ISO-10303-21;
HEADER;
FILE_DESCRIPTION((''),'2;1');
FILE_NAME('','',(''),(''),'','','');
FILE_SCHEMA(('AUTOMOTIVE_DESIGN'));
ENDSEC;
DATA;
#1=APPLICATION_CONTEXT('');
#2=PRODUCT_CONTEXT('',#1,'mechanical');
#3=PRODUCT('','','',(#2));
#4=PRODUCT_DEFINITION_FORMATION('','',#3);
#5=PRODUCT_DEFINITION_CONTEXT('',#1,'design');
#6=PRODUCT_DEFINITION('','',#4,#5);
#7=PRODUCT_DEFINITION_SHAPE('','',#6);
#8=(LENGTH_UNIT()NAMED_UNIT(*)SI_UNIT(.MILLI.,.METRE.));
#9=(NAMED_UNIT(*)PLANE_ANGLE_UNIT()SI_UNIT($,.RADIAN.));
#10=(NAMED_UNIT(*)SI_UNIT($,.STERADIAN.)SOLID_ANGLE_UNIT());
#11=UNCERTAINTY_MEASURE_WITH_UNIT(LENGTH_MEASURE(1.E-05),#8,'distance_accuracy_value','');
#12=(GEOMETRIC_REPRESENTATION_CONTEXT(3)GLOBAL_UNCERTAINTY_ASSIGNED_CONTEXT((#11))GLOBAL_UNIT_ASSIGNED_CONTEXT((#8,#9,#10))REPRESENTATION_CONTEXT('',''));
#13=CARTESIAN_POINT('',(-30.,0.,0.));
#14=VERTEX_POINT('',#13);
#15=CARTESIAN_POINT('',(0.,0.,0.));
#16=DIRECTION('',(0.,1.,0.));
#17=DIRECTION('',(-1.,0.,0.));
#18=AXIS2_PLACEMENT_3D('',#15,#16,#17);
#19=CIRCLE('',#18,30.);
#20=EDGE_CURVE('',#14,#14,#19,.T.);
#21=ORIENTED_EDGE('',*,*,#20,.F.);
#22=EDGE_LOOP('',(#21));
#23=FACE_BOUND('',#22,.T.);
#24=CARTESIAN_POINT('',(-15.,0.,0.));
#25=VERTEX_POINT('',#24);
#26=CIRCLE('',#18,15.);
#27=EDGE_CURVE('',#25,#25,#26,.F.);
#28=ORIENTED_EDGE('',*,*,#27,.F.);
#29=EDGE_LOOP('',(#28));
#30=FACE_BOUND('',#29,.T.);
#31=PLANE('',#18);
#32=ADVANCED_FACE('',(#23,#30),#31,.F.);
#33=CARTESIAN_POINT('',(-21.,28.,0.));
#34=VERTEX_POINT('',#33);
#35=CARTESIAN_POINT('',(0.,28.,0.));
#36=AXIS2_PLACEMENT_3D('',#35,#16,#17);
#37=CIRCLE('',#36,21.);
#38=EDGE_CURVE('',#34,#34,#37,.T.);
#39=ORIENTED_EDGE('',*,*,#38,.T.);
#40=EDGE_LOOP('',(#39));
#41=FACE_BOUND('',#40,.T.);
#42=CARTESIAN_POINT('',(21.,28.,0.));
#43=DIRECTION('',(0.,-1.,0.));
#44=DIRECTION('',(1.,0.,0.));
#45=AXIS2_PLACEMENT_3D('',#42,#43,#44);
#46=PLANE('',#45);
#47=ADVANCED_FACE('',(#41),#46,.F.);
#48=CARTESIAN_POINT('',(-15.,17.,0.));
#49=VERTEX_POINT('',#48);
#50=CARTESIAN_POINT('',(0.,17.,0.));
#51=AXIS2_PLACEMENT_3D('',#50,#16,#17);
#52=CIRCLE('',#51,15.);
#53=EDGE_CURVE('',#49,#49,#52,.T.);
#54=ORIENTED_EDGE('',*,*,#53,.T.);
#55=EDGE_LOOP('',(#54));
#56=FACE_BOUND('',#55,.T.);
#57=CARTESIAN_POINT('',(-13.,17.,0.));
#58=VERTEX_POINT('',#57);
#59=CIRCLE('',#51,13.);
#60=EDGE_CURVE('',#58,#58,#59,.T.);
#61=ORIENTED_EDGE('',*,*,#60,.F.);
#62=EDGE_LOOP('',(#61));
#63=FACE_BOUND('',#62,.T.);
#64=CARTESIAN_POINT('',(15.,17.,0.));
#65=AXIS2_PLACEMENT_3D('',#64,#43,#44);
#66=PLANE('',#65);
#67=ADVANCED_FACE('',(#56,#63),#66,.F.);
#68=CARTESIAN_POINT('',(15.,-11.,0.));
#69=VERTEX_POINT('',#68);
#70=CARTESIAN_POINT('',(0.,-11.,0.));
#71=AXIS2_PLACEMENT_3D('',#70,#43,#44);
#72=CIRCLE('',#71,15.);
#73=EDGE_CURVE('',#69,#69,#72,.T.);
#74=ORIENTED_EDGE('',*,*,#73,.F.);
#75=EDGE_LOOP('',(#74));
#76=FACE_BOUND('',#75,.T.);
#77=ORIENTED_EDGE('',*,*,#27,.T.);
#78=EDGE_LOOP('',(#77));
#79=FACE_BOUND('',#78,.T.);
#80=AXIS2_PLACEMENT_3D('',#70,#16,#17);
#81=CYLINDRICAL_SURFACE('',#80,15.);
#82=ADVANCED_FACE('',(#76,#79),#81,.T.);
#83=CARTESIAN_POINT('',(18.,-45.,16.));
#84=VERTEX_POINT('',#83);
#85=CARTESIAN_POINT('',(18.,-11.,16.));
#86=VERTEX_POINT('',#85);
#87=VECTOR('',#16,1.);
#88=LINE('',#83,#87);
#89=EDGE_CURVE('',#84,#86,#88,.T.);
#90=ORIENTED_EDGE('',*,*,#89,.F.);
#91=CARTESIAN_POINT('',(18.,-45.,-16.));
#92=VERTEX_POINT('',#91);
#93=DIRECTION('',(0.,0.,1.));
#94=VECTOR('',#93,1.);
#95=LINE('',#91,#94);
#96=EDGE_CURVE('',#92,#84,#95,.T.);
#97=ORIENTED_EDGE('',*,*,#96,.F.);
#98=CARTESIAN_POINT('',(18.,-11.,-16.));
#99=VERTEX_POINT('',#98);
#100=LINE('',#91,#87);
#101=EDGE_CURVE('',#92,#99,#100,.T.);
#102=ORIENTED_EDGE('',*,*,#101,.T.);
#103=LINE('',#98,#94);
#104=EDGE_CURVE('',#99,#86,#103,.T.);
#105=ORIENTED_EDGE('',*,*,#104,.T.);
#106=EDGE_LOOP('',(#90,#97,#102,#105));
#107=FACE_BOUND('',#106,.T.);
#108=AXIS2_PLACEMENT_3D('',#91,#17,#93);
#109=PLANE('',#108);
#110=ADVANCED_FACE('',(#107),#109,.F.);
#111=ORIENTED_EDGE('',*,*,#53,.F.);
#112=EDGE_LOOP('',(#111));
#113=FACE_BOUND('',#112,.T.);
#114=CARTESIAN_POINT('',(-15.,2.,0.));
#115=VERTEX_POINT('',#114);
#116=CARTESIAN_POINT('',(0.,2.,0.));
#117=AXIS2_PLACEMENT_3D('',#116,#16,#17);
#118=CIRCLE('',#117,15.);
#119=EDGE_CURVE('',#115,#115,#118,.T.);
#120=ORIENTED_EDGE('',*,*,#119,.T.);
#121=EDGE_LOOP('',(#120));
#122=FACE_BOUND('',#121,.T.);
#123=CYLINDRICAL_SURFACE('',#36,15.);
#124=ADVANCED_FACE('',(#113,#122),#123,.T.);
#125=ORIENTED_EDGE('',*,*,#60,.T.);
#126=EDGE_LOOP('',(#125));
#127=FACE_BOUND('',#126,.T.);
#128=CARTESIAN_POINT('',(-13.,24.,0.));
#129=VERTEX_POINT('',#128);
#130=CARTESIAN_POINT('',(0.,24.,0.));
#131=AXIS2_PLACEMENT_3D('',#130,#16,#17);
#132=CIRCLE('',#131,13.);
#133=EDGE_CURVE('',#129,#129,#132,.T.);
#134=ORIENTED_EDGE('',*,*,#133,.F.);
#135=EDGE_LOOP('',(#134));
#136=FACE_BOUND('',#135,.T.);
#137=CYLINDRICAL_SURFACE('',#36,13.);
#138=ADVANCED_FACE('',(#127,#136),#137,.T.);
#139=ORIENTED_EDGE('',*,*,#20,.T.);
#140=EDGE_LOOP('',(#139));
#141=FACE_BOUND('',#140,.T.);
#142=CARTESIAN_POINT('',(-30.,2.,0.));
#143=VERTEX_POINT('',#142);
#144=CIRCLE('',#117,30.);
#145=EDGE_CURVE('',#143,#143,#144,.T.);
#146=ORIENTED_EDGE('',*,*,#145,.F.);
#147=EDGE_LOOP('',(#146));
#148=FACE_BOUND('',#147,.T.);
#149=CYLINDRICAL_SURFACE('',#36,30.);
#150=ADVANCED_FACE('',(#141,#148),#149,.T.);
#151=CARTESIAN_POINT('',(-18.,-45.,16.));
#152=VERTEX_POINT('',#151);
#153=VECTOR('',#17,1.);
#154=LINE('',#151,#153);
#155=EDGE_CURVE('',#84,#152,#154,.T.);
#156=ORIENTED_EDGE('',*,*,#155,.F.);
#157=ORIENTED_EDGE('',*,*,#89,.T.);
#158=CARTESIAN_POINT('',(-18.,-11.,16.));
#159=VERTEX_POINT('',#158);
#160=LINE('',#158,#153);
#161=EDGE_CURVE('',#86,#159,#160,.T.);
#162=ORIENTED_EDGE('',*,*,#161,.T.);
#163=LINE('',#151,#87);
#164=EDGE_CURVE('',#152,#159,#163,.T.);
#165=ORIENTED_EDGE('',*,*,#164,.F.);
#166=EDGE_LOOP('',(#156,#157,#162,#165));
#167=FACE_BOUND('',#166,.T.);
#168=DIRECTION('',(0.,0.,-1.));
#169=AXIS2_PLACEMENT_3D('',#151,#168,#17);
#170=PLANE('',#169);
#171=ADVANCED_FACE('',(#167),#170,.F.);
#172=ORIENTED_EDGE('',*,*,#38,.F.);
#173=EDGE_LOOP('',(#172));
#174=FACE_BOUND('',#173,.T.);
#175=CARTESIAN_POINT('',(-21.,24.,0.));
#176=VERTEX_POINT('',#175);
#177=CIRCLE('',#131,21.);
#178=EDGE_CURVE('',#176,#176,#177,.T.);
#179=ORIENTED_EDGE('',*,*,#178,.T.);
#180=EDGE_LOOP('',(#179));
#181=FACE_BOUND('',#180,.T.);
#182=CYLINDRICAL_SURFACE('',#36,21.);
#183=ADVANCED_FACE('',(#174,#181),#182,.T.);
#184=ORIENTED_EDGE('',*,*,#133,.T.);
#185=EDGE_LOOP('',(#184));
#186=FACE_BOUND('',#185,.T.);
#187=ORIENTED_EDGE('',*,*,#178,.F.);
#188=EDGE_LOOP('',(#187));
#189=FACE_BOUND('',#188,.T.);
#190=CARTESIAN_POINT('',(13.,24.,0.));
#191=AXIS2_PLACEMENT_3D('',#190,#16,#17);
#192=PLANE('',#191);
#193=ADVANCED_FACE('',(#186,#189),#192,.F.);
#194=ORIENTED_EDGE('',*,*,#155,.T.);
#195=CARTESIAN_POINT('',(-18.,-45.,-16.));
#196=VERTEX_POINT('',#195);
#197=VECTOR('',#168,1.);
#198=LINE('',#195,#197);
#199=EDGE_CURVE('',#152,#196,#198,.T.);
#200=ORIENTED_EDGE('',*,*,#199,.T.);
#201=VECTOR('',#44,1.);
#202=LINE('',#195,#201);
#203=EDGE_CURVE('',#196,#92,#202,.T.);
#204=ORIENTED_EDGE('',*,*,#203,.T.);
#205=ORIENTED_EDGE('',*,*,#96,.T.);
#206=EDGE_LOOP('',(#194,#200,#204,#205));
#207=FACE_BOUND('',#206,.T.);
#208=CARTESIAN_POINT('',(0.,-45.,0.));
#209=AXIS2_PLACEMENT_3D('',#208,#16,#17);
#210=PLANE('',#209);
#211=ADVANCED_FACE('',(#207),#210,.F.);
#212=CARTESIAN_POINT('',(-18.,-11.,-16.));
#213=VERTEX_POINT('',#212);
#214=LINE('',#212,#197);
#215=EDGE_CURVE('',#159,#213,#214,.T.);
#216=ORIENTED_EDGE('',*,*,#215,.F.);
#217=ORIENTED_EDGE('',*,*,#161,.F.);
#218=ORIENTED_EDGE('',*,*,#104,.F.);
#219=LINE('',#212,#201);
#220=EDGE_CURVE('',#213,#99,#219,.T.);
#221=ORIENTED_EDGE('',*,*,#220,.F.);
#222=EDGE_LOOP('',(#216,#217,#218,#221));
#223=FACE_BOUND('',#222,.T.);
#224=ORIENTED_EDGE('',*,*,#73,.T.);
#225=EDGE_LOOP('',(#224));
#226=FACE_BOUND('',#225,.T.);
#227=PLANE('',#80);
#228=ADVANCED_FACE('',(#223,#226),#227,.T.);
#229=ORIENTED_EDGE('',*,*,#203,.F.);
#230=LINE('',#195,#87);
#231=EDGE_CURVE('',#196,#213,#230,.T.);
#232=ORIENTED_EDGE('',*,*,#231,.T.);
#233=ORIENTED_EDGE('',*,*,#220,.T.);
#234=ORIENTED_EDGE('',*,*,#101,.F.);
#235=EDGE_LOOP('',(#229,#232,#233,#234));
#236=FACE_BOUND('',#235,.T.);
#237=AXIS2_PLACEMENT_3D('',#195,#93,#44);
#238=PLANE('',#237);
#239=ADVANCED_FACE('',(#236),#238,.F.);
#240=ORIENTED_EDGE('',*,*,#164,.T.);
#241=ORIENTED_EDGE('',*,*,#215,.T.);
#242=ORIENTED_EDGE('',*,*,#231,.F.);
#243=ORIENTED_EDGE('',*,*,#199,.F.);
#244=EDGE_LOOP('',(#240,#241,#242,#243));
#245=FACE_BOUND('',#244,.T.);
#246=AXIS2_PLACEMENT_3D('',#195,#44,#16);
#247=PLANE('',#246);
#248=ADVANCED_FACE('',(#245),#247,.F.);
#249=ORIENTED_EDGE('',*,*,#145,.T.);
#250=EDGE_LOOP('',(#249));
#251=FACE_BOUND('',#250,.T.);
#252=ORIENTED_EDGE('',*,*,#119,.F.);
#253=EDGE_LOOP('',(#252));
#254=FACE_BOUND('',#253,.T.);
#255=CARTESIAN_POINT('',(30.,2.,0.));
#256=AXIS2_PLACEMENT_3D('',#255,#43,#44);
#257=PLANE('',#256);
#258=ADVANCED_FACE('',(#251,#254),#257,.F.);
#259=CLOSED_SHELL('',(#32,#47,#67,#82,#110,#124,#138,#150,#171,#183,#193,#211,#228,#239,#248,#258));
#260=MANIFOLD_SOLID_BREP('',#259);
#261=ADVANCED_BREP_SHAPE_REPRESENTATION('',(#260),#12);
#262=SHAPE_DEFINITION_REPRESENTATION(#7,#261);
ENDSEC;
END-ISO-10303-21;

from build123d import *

# Parameters (mm, degrees)
ESQUISSE2_R        = 15
BOSS_EXTRU_1_DEPTH = 11
ESQUISSE3_W        = 36
ESQUISSE3_H        = 32
BOSS_EXTRU_2_DEPTH = 34


with BuildPart() as part:
    # Esquisse1 → Révolution1 (revolve)
    with BuildSketch(Plane.XY, mode=Mode.PRIVATE) as r_volution1_sk:
        Polygon((0, 0), (30, 0), (30, 2), (15, 2), (15, 17), (13, 17), (13, 24), (21, 24), (21, 28), (0, 28), align=None)
    revolve(r_volution1_sk.sketch.rotate(Axis((0, 28, 0), (0, -1, 0)), 180), axis=Axis((0, 28, 0), (0, -1, 0)))

    # Esquisse2 → Boss.-Extru.1 (add)
    with BuildSketch(Plane(origin=(0, 0, 0), x_dir=(-1, 0, 0), z_dir=(0, -1, 0))):
        Circle(ESQUISSE2_R)
    extrude(amount=BOSS_EXTRU_1_DEPTH)

    # Esquisse3 → Boss.-Extru.2 (add)
    with BuildSketch(Plane(origin=(0, -11, 0), x_dir=(-1, 0, 0), z_dir=(0, -1, 0))):
        Rectangle(ESQUISSE3_W, ESQUISSE3_H)
    extrude(amount=BOSS_EXTRU_2_DEPTH)


solid = part.part
